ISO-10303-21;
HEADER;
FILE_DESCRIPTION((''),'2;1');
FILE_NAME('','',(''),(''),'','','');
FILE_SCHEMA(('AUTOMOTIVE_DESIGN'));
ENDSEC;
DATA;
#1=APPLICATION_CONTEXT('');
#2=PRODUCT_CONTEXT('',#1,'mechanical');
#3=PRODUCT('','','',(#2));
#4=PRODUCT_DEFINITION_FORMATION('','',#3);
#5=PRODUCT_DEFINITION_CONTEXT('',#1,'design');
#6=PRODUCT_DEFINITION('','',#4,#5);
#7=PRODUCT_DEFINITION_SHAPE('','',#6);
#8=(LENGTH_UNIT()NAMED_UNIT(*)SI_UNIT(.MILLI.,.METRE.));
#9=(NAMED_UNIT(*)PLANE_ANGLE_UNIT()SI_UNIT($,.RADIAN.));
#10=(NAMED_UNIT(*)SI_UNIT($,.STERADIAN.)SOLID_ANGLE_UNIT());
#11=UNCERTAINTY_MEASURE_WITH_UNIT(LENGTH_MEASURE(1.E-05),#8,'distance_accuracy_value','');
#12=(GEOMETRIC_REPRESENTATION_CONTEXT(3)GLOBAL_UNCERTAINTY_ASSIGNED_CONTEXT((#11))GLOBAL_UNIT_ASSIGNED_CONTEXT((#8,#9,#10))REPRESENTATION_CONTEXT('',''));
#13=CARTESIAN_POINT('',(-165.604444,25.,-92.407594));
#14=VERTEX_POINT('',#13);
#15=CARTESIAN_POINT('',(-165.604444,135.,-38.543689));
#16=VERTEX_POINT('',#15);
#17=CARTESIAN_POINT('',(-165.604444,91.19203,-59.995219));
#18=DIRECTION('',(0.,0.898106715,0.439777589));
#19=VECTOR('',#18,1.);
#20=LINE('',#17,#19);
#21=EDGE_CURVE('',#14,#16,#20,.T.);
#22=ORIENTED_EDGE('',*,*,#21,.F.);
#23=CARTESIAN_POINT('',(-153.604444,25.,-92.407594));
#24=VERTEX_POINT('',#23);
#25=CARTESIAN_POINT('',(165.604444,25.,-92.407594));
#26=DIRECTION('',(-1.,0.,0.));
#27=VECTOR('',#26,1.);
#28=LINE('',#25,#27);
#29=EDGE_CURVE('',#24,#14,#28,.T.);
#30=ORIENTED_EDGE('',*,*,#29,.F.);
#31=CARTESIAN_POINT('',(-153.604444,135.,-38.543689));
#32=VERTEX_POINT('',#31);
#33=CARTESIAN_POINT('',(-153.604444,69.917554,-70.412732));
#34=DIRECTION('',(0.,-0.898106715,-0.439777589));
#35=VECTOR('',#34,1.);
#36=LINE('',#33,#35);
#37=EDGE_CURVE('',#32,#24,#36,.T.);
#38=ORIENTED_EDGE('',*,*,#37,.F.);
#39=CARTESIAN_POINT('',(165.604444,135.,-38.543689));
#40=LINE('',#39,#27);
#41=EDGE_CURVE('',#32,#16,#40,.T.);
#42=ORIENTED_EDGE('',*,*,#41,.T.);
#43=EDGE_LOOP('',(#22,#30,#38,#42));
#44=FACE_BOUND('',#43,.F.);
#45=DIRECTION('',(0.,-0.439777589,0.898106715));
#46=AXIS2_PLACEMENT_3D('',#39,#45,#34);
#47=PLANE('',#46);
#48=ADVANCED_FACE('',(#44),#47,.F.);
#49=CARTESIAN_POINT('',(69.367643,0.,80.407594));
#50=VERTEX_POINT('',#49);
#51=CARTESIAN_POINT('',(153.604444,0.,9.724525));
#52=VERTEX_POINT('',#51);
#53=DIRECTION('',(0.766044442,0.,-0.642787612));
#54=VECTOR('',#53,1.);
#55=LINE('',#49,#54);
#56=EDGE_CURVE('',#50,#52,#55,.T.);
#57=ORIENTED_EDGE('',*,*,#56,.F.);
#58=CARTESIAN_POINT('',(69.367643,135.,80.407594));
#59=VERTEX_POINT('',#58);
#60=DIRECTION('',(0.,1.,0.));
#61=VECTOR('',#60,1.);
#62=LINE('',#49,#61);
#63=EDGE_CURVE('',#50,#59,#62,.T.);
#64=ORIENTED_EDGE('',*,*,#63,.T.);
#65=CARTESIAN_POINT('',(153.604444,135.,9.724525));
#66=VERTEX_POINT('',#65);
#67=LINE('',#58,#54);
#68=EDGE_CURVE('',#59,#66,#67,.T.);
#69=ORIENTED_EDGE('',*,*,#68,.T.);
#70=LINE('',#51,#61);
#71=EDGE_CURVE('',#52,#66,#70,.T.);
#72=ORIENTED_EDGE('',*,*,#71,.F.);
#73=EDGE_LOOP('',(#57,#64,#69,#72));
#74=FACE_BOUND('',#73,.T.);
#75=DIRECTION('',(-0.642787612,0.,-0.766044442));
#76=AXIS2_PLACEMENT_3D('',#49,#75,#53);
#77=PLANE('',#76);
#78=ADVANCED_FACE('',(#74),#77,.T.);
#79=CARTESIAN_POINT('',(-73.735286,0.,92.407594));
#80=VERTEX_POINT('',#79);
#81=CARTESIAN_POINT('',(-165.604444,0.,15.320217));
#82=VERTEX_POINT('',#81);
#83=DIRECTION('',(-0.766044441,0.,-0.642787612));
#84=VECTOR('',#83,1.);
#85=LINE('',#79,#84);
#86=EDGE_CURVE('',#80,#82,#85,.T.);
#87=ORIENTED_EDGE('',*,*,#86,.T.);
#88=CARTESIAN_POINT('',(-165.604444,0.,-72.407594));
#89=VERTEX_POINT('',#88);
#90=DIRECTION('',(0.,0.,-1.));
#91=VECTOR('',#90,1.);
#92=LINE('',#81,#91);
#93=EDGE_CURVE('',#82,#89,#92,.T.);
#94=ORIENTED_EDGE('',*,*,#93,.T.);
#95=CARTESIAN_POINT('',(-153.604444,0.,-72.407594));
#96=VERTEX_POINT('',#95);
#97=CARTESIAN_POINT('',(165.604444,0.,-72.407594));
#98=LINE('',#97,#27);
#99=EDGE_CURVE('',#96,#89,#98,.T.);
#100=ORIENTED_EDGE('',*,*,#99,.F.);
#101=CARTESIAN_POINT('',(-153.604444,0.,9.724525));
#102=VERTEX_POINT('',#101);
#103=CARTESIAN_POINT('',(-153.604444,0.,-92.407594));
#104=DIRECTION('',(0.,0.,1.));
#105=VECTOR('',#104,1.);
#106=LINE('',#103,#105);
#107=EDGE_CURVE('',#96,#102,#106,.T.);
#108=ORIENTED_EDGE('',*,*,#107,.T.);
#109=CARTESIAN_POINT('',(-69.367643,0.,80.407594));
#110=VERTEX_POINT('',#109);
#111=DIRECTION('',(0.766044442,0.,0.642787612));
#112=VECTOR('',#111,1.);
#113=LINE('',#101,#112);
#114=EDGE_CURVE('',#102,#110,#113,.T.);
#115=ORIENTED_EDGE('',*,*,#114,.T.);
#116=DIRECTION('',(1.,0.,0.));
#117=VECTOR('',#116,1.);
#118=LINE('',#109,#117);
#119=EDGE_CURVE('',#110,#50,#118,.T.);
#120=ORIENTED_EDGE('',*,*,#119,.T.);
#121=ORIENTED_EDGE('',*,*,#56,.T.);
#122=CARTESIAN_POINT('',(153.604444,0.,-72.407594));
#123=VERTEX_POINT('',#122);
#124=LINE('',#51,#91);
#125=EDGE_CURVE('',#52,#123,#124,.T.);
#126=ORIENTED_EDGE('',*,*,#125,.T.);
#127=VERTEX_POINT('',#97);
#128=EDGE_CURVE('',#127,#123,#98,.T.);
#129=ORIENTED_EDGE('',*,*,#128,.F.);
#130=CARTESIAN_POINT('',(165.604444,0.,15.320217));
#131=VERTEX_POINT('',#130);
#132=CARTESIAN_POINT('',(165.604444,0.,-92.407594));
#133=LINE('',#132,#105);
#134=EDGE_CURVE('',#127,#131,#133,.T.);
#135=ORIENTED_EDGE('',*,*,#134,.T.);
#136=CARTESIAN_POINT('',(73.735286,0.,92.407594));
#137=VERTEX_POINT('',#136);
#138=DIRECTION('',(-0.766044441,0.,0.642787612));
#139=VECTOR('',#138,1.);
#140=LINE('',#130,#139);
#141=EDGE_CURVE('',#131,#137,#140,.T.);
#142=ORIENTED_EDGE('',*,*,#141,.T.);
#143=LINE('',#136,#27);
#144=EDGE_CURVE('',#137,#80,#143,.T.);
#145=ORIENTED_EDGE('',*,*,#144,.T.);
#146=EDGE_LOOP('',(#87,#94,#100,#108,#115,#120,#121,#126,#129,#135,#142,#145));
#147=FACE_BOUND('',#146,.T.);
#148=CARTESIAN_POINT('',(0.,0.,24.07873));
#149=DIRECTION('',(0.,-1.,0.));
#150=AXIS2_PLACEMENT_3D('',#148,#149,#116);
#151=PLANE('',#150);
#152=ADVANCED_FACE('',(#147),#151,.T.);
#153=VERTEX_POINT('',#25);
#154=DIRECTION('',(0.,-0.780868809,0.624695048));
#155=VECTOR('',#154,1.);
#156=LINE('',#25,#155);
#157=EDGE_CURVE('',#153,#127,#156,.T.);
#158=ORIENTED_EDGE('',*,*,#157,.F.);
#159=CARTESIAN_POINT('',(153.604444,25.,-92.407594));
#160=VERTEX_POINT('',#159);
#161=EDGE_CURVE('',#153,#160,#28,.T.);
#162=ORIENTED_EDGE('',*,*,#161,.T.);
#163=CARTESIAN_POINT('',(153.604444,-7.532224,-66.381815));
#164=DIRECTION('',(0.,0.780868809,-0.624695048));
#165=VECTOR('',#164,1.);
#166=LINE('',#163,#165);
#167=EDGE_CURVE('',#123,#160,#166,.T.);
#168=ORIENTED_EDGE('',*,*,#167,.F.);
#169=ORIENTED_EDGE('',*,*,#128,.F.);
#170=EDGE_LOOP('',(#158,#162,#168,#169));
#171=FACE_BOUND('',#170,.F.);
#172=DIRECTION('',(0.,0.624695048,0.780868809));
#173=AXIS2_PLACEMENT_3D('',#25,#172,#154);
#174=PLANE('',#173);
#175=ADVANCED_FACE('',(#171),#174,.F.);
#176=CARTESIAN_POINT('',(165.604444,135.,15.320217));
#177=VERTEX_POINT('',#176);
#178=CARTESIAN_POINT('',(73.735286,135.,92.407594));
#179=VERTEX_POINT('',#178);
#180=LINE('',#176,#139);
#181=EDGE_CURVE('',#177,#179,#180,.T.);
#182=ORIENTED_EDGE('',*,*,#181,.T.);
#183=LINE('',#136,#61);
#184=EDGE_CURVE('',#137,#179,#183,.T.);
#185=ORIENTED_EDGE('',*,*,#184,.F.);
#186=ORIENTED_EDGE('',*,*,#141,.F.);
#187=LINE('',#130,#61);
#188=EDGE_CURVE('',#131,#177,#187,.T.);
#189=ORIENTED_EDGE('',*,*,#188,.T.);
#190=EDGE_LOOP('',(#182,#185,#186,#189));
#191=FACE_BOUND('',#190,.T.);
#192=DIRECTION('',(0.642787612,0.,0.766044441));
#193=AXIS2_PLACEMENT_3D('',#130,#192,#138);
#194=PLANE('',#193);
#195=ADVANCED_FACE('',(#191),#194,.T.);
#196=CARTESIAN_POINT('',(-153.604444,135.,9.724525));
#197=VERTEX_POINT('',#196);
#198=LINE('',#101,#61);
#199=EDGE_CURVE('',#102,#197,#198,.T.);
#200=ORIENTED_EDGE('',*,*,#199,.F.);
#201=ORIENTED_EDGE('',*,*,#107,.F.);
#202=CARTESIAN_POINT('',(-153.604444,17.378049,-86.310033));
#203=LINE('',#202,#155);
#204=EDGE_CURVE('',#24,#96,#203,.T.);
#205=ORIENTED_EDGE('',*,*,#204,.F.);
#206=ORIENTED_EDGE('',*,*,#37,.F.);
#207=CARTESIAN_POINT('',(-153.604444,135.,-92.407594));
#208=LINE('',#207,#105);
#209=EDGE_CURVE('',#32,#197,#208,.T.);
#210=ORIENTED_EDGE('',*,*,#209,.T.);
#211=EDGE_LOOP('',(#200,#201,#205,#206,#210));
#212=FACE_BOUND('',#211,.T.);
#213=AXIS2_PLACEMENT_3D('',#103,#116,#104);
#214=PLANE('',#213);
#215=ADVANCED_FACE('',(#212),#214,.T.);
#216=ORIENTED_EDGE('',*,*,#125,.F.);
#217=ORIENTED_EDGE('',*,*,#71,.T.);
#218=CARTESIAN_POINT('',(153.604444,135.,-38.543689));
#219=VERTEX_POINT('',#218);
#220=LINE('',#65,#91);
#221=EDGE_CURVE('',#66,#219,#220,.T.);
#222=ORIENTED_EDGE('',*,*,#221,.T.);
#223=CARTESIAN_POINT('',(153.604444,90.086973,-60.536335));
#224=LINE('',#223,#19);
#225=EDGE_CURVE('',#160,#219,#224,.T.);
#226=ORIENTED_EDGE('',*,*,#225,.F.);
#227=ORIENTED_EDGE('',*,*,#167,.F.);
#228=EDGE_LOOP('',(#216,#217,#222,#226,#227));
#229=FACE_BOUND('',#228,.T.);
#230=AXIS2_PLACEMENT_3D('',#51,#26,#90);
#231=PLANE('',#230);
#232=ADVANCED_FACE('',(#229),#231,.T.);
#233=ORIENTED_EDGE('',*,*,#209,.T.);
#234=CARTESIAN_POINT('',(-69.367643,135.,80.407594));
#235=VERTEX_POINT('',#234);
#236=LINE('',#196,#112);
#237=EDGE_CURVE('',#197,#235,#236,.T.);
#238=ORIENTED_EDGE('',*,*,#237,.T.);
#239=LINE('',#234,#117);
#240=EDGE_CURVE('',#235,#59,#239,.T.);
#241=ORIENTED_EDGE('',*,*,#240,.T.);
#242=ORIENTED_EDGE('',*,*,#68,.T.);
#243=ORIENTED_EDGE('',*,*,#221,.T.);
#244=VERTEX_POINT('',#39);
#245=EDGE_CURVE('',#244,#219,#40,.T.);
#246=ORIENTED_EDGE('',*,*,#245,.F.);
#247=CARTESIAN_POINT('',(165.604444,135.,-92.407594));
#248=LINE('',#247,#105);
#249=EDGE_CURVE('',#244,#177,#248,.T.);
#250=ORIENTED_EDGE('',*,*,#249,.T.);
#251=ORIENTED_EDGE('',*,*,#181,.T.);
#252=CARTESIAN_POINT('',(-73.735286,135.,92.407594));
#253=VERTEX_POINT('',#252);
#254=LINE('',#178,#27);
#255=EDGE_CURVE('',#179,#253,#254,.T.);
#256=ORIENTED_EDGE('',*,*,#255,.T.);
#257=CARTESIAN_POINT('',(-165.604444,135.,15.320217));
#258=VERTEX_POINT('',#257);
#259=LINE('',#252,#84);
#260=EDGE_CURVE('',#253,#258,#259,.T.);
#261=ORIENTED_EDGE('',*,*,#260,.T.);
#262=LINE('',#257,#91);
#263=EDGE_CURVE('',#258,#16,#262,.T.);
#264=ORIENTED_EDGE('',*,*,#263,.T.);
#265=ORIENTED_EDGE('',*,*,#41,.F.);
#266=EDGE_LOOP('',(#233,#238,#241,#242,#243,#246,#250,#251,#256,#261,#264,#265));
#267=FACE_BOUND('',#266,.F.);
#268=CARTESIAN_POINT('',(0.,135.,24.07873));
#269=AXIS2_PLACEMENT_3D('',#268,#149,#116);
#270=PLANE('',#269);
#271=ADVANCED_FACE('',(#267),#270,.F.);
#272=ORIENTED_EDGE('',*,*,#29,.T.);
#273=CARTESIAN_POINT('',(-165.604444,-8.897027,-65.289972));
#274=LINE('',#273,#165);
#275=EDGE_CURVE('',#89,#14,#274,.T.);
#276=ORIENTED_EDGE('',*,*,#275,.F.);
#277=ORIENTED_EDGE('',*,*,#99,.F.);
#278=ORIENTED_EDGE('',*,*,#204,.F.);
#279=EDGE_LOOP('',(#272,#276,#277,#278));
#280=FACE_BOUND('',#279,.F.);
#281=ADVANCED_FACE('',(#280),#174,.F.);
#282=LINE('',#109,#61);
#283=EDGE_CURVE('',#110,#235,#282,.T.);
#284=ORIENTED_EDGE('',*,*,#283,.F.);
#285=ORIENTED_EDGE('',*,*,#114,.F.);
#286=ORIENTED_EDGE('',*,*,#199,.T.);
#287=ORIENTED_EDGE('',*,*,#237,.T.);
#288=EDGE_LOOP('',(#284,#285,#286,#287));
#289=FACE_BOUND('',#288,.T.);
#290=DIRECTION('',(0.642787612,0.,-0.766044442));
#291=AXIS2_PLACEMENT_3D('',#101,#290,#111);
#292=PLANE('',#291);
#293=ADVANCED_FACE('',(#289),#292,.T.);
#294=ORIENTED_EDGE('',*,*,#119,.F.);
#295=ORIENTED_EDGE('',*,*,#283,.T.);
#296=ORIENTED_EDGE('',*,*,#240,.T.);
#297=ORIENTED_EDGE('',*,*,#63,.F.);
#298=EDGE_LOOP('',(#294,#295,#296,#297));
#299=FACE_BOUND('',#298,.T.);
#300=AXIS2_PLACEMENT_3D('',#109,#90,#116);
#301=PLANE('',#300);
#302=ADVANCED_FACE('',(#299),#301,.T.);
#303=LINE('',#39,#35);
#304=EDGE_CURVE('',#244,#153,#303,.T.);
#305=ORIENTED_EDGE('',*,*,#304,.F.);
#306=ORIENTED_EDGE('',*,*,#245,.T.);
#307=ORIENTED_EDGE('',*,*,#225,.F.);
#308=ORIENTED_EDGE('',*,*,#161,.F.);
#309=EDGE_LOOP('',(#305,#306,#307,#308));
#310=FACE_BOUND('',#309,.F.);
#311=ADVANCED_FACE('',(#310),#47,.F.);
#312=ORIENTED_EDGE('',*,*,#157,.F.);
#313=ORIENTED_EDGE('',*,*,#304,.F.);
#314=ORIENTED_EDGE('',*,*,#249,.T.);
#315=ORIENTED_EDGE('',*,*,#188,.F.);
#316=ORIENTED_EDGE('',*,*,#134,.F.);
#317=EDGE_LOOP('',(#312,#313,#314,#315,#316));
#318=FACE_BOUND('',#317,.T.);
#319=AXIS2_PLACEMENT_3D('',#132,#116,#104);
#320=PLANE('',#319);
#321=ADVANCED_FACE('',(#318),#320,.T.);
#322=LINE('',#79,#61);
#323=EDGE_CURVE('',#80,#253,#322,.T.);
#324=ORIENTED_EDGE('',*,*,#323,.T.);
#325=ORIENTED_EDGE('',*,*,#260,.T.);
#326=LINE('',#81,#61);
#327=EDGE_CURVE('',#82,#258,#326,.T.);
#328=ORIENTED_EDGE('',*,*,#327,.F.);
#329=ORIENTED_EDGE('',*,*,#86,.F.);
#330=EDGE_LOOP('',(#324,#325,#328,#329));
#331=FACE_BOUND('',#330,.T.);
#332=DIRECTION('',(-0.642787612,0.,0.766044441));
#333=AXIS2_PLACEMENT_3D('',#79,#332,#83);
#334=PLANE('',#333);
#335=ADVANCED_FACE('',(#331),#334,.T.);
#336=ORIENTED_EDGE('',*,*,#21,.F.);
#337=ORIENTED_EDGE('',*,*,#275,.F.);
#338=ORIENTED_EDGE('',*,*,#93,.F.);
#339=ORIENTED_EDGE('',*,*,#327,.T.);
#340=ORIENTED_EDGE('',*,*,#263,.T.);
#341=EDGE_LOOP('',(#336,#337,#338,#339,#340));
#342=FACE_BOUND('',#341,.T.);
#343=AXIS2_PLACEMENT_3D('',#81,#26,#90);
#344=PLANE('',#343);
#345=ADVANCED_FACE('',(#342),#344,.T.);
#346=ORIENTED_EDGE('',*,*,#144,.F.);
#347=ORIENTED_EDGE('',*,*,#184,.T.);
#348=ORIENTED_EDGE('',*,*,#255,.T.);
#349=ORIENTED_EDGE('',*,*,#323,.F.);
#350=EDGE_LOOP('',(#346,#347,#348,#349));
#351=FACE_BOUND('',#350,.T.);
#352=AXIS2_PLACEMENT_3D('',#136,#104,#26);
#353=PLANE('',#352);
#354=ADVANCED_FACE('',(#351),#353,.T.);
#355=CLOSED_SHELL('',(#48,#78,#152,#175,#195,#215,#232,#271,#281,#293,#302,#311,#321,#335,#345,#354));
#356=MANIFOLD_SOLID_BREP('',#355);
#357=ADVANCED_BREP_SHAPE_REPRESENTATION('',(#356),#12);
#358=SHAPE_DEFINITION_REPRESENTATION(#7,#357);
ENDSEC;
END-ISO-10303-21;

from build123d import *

# Parameters (mm, degrees)
F1_DEPTH = 135
F3_DEPTH = 400


with BuildPart() as f1:
    # F0 (on Front) → F1 (new body)
    with BuildSketch(Plane.XZ):
        Polygon((-153.604444, 9.724525), (-69.367643, 80.407594), (69.367643, 80.407594), (153.604444, 9.724525), (153.604444, -92.407594), (165.604444, -92.407594), (165.604444, 15.320217), (73.735286, 92.407594), (-73.735286, 92.407594), (-165.604444, 15.320217), (-165.604444, -92.407594), (-153.604444, -92.407594), align=None)
    extrude(amount=-F1_DEPTH)

    # F2 (on face) → F3 (cut)
    with BuildSketch(Plane.YZ.offset(165.604444)):
        Polygon((0, -92.407594), (25, -92.407594), (0, -72.407594), align=None)
        Polygon((135, -38.543689), (25, -92.407594), (135, -92.407594), align=None)
    extrude(amount=-F3_DEPTH, mode=Mode.SUBTRACT)


solid = f1.part
